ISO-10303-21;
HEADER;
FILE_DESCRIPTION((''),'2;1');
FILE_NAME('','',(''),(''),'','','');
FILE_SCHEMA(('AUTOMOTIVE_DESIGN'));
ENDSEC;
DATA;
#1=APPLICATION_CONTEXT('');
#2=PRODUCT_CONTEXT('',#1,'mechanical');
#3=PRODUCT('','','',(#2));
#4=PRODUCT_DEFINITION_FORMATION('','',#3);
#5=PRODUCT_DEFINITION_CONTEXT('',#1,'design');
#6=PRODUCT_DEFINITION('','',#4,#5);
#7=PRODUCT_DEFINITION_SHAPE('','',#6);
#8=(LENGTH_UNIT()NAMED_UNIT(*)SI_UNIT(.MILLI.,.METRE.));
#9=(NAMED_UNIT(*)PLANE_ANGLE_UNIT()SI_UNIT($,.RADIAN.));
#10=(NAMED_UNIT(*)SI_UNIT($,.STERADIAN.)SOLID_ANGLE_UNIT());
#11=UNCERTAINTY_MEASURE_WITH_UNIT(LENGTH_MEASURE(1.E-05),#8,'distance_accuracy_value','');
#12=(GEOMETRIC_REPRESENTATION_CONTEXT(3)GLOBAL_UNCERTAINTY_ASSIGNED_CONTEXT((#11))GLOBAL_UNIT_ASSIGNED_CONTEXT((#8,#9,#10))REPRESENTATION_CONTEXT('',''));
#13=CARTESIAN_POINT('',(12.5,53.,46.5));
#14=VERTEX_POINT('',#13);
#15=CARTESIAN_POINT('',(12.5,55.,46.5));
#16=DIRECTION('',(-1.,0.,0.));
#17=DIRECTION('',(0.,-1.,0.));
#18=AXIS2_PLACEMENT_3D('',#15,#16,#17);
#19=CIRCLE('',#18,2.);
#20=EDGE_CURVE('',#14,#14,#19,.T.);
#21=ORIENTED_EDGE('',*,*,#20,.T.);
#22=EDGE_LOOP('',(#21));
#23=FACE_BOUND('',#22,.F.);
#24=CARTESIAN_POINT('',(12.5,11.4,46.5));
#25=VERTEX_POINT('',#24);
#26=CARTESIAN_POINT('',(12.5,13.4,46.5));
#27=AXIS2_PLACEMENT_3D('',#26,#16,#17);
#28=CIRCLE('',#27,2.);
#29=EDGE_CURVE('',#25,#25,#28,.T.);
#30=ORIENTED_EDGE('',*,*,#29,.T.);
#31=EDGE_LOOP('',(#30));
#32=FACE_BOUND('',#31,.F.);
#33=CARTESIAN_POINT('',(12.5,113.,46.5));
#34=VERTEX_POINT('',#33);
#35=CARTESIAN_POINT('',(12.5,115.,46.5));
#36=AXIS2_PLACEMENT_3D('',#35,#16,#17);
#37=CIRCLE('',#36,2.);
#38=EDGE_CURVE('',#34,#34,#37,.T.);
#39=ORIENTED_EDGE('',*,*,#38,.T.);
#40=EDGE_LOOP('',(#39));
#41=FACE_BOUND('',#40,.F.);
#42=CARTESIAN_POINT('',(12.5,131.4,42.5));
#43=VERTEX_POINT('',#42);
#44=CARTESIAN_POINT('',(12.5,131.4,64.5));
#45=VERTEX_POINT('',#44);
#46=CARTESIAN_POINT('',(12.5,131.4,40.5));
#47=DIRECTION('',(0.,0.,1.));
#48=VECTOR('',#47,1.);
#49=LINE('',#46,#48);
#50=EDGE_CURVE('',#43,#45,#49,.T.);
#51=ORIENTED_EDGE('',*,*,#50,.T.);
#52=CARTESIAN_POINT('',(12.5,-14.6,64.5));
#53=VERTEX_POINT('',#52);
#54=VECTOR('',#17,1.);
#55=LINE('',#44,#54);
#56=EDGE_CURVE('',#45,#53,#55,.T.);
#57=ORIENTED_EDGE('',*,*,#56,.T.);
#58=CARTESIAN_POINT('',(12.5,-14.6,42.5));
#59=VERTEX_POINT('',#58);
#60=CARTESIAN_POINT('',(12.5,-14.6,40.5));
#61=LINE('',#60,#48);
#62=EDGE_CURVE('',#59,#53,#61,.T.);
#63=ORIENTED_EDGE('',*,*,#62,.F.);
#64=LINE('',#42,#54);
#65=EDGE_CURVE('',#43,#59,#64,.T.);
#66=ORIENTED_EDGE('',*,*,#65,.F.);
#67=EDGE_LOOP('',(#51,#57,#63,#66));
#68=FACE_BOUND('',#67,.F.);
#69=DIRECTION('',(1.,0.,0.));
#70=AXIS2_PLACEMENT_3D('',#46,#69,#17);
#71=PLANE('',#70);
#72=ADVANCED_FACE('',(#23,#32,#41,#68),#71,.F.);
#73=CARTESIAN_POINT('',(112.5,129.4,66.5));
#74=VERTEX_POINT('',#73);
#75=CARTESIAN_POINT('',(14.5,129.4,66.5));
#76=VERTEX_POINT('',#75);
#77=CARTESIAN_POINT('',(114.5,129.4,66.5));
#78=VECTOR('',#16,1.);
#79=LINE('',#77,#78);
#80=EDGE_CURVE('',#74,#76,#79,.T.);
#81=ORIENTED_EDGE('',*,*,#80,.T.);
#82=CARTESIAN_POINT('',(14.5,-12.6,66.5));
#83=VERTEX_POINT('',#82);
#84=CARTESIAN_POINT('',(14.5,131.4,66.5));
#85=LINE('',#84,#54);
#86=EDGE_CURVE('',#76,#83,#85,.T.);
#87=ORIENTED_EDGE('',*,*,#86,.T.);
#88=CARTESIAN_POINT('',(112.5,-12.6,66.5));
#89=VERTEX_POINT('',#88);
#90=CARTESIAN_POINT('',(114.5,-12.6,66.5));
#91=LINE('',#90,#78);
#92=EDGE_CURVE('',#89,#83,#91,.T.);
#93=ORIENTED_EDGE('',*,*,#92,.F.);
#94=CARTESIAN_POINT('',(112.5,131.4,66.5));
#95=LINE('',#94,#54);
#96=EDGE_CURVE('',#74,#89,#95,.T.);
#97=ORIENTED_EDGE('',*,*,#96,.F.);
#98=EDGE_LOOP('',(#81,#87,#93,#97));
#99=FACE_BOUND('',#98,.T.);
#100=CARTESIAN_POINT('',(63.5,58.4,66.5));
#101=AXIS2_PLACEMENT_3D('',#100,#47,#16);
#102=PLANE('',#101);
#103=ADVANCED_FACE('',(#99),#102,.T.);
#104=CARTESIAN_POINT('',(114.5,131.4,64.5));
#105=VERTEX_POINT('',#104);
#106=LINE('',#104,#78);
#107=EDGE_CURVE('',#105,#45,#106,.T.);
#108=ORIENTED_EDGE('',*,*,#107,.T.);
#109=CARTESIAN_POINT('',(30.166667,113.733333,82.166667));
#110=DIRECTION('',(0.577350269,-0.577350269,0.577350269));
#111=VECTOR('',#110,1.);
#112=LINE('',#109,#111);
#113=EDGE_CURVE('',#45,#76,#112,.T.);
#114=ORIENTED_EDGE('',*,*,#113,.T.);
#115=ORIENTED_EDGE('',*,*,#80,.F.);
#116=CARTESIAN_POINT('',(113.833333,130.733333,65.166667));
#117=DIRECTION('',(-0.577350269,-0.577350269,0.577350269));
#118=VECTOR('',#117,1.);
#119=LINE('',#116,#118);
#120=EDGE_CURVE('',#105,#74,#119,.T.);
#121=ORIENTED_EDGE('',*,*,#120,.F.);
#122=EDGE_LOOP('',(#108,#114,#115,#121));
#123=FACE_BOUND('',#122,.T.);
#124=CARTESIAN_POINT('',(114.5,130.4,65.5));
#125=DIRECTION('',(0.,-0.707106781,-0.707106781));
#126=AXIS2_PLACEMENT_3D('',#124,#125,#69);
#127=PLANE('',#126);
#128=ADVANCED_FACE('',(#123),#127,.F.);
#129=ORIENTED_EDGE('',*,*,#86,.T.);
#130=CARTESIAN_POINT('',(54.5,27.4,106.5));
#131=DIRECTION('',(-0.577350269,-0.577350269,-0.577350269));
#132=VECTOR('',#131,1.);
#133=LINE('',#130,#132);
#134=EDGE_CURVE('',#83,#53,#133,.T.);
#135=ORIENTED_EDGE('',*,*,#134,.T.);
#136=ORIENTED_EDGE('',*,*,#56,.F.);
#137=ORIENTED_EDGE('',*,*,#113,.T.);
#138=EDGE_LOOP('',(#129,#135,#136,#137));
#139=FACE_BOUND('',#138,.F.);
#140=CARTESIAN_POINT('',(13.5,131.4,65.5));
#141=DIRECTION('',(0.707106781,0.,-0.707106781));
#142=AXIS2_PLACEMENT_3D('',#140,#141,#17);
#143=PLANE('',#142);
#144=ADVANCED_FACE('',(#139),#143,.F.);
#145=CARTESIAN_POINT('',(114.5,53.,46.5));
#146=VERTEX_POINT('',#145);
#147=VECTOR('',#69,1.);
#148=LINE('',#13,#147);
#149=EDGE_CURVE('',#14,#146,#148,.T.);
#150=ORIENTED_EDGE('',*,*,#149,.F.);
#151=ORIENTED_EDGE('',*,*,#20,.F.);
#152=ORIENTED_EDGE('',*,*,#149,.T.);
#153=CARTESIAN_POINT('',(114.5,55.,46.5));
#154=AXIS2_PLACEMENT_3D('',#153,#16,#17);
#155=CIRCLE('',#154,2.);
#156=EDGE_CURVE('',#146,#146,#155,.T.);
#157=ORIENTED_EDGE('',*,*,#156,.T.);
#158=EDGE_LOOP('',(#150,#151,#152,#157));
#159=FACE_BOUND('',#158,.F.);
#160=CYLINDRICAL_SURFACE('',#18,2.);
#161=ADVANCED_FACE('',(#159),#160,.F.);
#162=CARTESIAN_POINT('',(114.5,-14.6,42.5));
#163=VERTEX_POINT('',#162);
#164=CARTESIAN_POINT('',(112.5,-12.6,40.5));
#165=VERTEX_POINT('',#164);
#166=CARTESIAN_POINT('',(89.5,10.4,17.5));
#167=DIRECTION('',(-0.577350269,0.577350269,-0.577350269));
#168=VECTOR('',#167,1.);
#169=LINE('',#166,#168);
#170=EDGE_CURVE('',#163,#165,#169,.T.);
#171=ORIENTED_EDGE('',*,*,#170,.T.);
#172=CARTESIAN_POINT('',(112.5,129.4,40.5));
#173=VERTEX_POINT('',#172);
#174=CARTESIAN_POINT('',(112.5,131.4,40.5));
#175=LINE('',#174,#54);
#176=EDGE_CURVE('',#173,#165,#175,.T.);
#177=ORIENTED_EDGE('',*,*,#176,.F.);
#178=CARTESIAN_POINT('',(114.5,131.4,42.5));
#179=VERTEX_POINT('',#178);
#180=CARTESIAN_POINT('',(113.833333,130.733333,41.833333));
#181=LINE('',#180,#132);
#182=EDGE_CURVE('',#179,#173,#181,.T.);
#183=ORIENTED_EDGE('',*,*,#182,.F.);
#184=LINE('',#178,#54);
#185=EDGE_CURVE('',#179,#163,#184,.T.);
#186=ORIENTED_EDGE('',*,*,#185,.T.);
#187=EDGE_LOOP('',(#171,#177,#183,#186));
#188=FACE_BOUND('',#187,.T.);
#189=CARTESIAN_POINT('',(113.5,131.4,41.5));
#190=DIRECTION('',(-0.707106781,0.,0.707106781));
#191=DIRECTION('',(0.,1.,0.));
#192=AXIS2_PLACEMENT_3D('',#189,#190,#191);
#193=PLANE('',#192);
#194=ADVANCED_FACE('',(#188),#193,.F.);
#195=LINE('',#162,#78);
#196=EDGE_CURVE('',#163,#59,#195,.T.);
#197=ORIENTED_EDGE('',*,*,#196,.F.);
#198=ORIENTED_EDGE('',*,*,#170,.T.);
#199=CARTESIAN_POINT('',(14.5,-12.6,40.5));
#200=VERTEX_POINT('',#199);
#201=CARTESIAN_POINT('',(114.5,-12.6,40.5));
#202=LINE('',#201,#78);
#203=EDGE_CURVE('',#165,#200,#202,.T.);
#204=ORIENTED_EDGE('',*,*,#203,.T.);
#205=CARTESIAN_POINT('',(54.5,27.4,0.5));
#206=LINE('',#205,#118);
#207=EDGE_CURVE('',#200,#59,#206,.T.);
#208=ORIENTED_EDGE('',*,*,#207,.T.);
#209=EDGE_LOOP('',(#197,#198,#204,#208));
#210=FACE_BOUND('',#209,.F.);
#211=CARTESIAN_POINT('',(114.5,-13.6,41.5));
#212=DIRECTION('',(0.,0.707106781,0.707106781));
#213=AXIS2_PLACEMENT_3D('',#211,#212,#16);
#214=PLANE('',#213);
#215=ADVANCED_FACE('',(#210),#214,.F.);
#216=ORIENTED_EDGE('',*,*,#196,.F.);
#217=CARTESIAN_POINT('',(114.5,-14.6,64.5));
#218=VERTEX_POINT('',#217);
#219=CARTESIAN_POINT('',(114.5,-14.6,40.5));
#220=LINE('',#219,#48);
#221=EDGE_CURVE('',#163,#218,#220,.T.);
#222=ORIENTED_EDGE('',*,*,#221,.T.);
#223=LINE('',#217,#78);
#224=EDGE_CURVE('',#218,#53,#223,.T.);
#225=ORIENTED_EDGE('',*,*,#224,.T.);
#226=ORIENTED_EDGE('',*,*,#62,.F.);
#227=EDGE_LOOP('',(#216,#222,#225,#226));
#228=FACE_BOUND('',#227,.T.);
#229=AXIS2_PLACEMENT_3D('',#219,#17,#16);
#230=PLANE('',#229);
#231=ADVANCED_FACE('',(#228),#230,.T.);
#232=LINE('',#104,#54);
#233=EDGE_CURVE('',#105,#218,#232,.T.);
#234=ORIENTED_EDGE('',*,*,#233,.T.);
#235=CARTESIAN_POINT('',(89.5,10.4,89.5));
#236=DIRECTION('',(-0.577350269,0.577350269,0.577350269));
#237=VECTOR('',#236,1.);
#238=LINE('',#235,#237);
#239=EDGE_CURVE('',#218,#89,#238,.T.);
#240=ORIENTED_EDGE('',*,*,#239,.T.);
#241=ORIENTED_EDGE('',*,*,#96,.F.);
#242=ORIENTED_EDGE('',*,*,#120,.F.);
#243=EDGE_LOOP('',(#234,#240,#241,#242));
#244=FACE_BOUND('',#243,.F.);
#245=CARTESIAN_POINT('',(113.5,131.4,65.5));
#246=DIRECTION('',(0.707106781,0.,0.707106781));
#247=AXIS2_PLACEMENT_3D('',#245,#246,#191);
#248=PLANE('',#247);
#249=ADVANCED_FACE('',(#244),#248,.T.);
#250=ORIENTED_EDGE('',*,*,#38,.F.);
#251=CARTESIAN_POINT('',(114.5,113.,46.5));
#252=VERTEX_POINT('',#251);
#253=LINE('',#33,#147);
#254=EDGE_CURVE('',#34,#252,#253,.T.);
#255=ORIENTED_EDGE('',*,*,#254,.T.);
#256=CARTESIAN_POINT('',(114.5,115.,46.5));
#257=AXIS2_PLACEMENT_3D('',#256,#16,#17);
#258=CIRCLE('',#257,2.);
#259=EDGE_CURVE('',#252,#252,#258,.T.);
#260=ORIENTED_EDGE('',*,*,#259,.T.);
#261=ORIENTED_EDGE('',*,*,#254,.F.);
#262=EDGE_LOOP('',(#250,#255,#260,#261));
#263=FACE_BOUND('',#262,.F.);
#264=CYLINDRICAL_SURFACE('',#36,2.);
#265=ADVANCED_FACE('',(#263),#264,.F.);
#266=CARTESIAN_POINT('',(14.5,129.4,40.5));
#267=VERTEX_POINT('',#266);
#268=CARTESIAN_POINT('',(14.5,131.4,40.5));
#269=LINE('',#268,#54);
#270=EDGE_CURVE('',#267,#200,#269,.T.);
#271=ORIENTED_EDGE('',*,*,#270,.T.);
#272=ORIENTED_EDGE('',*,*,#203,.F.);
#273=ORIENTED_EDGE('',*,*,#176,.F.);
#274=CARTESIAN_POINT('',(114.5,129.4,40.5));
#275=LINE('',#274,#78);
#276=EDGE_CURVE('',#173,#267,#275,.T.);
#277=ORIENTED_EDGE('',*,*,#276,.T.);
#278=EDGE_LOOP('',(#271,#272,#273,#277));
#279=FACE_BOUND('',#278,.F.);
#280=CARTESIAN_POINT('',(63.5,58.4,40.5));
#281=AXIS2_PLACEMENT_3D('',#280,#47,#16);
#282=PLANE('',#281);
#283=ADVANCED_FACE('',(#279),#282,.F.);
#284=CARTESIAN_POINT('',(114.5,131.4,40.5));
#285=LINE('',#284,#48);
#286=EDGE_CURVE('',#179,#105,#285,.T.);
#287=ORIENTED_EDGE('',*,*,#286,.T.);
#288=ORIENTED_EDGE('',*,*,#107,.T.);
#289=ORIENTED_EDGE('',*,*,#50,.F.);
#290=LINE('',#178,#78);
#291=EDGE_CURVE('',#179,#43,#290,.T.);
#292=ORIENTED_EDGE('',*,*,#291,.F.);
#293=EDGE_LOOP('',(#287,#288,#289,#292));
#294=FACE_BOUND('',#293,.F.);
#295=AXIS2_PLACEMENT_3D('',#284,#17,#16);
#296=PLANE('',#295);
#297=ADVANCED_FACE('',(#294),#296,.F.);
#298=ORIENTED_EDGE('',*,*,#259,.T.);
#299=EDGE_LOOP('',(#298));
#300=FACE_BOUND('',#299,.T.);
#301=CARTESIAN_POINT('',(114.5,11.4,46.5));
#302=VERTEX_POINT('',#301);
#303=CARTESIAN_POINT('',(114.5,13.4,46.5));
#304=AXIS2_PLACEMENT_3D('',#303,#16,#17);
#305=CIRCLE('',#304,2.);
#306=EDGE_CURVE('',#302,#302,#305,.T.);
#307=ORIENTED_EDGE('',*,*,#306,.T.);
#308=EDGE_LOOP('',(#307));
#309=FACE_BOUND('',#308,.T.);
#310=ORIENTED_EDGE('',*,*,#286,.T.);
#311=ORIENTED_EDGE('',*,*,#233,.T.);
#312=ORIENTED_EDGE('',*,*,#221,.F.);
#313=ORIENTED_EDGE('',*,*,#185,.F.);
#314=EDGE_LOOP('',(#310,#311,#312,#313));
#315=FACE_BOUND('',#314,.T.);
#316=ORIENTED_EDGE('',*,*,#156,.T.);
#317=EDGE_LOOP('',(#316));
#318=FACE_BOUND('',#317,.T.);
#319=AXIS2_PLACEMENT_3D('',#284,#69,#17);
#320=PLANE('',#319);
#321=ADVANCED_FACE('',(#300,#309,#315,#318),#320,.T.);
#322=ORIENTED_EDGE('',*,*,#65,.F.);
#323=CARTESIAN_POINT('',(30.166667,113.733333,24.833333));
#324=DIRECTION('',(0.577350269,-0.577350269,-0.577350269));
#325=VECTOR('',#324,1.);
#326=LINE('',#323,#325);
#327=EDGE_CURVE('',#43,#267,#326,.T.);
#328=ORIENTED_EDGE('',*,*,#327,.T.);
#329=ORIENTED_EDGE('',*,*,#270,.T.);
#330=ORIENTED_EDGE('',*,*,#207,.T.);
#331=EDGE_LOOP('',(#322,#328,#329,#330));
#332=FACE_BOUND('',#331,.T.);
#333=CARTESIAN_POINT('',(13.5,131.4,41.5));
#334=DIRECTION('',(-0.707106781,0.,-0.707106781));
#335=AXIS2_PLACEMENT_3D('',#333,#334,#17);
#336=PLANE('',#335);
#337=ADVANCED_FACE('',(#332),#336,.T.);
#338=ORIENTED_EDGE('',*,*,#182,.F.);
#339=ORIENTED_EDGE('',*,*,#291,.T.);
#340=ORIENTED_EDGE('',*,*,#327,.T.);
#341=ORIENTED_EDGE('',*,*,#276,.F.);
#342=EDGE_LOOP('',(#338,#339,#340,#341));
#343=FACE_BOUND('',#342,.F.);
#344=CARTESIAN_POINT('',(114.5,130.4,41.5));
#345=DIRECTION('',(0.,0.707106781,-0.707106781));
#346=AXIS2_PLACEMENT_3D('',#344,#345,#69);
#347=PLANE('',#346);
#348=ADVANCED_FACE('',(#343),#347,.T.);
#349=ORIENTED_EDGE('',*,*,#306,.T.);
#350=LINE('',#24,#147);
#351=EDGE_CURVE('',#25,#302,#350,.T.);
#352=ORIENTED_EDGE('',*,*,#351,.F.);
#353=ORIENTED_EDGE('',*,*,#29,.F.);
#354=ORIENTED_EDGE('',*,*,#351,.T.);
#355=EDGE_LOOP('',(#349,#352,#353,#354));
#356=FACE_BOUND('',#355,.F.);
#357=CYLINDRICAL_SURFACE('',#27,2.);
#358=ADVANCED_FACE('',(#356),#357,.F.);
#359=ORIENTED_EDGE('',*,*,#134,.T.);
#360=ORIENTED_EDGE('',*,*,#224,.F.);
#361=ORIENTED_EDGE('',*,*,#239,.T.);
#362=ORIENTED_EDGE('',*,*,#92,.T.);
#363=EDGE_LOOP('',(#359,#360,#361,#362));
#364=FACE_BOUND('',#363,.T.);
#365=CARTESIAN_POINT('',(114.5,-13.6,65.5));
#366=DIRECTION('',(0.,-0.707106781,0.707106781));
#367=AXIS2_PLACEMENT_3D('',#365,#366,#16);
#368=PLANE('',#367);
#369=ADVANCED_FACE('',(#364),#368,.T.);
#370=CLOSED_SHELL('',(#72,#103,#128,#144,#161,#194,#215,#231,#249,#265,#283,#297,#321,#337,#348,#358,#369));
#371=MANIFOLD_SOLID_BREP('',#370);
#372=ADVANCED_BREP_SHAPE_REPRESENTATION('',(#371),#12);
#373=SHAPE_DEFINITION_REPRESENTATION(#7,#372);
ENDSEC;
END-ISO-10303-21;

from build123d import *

# Parameters (mm, degrees)
SKETCH064_W             = 102
SKETCH064_H             = 146
PAD021_DEPTH            = 26
SKETCH065_R             = 2
POCKET043_DEPTH         = 102.001
CHAMFER003_SIZE         = 2
BODY017_PLACEMENT_ANGLE = 180


with BuildPart() as part:
    # Sketch064 → Pad021 (new body)
    with BuildSketch(Plane.XY):
        Rectangle(SKETCH064_W, SKETCH064_H)
    extrude(amount=PAD021_DEPTH)

    # Sketch065 (on Face3 of Pad021) → Pocket043 (cut, through all)
    with BuildSketch(Plane.YZ.offset(51)):
        with Locations((45, 6)):
            Circle(SKETCH065_R)
        with Locations((3.4, 6)):
            Circle(SKETCH065_R)
        with Locations((-56.6, 6)):
            Circle(SKETCH065_R)
    extrude(amount=-POCKET043_DEPTH, mode=Mode.SUBTRACT)

    # Chamfer003
    chamfer003_edges = [part.edges().sort_by_distance(p)[0] for p in [
        (-51, 0, 0),
        (0, -73, 0),
        (51, 0, 0),
        (0, 73, 0),
        (-51, 0, 26),
        (0, -73, 26),
        (51, 0, 26),
        (0, 73, 26),
    ]]
    chamfer(chamfer003_edges, length=CHAMFER003_SIZE)


with BuildPart() as part_1:
    # Body017 placement: moved
    add(part.part.moved(Location((63.5, 58.4, 40.5))).rotate(Axis((63.5, 58.4, 40.5), (0, 0, 1)), BODY017_PLACEMENT_ANGLE))


solid = part_1.part
